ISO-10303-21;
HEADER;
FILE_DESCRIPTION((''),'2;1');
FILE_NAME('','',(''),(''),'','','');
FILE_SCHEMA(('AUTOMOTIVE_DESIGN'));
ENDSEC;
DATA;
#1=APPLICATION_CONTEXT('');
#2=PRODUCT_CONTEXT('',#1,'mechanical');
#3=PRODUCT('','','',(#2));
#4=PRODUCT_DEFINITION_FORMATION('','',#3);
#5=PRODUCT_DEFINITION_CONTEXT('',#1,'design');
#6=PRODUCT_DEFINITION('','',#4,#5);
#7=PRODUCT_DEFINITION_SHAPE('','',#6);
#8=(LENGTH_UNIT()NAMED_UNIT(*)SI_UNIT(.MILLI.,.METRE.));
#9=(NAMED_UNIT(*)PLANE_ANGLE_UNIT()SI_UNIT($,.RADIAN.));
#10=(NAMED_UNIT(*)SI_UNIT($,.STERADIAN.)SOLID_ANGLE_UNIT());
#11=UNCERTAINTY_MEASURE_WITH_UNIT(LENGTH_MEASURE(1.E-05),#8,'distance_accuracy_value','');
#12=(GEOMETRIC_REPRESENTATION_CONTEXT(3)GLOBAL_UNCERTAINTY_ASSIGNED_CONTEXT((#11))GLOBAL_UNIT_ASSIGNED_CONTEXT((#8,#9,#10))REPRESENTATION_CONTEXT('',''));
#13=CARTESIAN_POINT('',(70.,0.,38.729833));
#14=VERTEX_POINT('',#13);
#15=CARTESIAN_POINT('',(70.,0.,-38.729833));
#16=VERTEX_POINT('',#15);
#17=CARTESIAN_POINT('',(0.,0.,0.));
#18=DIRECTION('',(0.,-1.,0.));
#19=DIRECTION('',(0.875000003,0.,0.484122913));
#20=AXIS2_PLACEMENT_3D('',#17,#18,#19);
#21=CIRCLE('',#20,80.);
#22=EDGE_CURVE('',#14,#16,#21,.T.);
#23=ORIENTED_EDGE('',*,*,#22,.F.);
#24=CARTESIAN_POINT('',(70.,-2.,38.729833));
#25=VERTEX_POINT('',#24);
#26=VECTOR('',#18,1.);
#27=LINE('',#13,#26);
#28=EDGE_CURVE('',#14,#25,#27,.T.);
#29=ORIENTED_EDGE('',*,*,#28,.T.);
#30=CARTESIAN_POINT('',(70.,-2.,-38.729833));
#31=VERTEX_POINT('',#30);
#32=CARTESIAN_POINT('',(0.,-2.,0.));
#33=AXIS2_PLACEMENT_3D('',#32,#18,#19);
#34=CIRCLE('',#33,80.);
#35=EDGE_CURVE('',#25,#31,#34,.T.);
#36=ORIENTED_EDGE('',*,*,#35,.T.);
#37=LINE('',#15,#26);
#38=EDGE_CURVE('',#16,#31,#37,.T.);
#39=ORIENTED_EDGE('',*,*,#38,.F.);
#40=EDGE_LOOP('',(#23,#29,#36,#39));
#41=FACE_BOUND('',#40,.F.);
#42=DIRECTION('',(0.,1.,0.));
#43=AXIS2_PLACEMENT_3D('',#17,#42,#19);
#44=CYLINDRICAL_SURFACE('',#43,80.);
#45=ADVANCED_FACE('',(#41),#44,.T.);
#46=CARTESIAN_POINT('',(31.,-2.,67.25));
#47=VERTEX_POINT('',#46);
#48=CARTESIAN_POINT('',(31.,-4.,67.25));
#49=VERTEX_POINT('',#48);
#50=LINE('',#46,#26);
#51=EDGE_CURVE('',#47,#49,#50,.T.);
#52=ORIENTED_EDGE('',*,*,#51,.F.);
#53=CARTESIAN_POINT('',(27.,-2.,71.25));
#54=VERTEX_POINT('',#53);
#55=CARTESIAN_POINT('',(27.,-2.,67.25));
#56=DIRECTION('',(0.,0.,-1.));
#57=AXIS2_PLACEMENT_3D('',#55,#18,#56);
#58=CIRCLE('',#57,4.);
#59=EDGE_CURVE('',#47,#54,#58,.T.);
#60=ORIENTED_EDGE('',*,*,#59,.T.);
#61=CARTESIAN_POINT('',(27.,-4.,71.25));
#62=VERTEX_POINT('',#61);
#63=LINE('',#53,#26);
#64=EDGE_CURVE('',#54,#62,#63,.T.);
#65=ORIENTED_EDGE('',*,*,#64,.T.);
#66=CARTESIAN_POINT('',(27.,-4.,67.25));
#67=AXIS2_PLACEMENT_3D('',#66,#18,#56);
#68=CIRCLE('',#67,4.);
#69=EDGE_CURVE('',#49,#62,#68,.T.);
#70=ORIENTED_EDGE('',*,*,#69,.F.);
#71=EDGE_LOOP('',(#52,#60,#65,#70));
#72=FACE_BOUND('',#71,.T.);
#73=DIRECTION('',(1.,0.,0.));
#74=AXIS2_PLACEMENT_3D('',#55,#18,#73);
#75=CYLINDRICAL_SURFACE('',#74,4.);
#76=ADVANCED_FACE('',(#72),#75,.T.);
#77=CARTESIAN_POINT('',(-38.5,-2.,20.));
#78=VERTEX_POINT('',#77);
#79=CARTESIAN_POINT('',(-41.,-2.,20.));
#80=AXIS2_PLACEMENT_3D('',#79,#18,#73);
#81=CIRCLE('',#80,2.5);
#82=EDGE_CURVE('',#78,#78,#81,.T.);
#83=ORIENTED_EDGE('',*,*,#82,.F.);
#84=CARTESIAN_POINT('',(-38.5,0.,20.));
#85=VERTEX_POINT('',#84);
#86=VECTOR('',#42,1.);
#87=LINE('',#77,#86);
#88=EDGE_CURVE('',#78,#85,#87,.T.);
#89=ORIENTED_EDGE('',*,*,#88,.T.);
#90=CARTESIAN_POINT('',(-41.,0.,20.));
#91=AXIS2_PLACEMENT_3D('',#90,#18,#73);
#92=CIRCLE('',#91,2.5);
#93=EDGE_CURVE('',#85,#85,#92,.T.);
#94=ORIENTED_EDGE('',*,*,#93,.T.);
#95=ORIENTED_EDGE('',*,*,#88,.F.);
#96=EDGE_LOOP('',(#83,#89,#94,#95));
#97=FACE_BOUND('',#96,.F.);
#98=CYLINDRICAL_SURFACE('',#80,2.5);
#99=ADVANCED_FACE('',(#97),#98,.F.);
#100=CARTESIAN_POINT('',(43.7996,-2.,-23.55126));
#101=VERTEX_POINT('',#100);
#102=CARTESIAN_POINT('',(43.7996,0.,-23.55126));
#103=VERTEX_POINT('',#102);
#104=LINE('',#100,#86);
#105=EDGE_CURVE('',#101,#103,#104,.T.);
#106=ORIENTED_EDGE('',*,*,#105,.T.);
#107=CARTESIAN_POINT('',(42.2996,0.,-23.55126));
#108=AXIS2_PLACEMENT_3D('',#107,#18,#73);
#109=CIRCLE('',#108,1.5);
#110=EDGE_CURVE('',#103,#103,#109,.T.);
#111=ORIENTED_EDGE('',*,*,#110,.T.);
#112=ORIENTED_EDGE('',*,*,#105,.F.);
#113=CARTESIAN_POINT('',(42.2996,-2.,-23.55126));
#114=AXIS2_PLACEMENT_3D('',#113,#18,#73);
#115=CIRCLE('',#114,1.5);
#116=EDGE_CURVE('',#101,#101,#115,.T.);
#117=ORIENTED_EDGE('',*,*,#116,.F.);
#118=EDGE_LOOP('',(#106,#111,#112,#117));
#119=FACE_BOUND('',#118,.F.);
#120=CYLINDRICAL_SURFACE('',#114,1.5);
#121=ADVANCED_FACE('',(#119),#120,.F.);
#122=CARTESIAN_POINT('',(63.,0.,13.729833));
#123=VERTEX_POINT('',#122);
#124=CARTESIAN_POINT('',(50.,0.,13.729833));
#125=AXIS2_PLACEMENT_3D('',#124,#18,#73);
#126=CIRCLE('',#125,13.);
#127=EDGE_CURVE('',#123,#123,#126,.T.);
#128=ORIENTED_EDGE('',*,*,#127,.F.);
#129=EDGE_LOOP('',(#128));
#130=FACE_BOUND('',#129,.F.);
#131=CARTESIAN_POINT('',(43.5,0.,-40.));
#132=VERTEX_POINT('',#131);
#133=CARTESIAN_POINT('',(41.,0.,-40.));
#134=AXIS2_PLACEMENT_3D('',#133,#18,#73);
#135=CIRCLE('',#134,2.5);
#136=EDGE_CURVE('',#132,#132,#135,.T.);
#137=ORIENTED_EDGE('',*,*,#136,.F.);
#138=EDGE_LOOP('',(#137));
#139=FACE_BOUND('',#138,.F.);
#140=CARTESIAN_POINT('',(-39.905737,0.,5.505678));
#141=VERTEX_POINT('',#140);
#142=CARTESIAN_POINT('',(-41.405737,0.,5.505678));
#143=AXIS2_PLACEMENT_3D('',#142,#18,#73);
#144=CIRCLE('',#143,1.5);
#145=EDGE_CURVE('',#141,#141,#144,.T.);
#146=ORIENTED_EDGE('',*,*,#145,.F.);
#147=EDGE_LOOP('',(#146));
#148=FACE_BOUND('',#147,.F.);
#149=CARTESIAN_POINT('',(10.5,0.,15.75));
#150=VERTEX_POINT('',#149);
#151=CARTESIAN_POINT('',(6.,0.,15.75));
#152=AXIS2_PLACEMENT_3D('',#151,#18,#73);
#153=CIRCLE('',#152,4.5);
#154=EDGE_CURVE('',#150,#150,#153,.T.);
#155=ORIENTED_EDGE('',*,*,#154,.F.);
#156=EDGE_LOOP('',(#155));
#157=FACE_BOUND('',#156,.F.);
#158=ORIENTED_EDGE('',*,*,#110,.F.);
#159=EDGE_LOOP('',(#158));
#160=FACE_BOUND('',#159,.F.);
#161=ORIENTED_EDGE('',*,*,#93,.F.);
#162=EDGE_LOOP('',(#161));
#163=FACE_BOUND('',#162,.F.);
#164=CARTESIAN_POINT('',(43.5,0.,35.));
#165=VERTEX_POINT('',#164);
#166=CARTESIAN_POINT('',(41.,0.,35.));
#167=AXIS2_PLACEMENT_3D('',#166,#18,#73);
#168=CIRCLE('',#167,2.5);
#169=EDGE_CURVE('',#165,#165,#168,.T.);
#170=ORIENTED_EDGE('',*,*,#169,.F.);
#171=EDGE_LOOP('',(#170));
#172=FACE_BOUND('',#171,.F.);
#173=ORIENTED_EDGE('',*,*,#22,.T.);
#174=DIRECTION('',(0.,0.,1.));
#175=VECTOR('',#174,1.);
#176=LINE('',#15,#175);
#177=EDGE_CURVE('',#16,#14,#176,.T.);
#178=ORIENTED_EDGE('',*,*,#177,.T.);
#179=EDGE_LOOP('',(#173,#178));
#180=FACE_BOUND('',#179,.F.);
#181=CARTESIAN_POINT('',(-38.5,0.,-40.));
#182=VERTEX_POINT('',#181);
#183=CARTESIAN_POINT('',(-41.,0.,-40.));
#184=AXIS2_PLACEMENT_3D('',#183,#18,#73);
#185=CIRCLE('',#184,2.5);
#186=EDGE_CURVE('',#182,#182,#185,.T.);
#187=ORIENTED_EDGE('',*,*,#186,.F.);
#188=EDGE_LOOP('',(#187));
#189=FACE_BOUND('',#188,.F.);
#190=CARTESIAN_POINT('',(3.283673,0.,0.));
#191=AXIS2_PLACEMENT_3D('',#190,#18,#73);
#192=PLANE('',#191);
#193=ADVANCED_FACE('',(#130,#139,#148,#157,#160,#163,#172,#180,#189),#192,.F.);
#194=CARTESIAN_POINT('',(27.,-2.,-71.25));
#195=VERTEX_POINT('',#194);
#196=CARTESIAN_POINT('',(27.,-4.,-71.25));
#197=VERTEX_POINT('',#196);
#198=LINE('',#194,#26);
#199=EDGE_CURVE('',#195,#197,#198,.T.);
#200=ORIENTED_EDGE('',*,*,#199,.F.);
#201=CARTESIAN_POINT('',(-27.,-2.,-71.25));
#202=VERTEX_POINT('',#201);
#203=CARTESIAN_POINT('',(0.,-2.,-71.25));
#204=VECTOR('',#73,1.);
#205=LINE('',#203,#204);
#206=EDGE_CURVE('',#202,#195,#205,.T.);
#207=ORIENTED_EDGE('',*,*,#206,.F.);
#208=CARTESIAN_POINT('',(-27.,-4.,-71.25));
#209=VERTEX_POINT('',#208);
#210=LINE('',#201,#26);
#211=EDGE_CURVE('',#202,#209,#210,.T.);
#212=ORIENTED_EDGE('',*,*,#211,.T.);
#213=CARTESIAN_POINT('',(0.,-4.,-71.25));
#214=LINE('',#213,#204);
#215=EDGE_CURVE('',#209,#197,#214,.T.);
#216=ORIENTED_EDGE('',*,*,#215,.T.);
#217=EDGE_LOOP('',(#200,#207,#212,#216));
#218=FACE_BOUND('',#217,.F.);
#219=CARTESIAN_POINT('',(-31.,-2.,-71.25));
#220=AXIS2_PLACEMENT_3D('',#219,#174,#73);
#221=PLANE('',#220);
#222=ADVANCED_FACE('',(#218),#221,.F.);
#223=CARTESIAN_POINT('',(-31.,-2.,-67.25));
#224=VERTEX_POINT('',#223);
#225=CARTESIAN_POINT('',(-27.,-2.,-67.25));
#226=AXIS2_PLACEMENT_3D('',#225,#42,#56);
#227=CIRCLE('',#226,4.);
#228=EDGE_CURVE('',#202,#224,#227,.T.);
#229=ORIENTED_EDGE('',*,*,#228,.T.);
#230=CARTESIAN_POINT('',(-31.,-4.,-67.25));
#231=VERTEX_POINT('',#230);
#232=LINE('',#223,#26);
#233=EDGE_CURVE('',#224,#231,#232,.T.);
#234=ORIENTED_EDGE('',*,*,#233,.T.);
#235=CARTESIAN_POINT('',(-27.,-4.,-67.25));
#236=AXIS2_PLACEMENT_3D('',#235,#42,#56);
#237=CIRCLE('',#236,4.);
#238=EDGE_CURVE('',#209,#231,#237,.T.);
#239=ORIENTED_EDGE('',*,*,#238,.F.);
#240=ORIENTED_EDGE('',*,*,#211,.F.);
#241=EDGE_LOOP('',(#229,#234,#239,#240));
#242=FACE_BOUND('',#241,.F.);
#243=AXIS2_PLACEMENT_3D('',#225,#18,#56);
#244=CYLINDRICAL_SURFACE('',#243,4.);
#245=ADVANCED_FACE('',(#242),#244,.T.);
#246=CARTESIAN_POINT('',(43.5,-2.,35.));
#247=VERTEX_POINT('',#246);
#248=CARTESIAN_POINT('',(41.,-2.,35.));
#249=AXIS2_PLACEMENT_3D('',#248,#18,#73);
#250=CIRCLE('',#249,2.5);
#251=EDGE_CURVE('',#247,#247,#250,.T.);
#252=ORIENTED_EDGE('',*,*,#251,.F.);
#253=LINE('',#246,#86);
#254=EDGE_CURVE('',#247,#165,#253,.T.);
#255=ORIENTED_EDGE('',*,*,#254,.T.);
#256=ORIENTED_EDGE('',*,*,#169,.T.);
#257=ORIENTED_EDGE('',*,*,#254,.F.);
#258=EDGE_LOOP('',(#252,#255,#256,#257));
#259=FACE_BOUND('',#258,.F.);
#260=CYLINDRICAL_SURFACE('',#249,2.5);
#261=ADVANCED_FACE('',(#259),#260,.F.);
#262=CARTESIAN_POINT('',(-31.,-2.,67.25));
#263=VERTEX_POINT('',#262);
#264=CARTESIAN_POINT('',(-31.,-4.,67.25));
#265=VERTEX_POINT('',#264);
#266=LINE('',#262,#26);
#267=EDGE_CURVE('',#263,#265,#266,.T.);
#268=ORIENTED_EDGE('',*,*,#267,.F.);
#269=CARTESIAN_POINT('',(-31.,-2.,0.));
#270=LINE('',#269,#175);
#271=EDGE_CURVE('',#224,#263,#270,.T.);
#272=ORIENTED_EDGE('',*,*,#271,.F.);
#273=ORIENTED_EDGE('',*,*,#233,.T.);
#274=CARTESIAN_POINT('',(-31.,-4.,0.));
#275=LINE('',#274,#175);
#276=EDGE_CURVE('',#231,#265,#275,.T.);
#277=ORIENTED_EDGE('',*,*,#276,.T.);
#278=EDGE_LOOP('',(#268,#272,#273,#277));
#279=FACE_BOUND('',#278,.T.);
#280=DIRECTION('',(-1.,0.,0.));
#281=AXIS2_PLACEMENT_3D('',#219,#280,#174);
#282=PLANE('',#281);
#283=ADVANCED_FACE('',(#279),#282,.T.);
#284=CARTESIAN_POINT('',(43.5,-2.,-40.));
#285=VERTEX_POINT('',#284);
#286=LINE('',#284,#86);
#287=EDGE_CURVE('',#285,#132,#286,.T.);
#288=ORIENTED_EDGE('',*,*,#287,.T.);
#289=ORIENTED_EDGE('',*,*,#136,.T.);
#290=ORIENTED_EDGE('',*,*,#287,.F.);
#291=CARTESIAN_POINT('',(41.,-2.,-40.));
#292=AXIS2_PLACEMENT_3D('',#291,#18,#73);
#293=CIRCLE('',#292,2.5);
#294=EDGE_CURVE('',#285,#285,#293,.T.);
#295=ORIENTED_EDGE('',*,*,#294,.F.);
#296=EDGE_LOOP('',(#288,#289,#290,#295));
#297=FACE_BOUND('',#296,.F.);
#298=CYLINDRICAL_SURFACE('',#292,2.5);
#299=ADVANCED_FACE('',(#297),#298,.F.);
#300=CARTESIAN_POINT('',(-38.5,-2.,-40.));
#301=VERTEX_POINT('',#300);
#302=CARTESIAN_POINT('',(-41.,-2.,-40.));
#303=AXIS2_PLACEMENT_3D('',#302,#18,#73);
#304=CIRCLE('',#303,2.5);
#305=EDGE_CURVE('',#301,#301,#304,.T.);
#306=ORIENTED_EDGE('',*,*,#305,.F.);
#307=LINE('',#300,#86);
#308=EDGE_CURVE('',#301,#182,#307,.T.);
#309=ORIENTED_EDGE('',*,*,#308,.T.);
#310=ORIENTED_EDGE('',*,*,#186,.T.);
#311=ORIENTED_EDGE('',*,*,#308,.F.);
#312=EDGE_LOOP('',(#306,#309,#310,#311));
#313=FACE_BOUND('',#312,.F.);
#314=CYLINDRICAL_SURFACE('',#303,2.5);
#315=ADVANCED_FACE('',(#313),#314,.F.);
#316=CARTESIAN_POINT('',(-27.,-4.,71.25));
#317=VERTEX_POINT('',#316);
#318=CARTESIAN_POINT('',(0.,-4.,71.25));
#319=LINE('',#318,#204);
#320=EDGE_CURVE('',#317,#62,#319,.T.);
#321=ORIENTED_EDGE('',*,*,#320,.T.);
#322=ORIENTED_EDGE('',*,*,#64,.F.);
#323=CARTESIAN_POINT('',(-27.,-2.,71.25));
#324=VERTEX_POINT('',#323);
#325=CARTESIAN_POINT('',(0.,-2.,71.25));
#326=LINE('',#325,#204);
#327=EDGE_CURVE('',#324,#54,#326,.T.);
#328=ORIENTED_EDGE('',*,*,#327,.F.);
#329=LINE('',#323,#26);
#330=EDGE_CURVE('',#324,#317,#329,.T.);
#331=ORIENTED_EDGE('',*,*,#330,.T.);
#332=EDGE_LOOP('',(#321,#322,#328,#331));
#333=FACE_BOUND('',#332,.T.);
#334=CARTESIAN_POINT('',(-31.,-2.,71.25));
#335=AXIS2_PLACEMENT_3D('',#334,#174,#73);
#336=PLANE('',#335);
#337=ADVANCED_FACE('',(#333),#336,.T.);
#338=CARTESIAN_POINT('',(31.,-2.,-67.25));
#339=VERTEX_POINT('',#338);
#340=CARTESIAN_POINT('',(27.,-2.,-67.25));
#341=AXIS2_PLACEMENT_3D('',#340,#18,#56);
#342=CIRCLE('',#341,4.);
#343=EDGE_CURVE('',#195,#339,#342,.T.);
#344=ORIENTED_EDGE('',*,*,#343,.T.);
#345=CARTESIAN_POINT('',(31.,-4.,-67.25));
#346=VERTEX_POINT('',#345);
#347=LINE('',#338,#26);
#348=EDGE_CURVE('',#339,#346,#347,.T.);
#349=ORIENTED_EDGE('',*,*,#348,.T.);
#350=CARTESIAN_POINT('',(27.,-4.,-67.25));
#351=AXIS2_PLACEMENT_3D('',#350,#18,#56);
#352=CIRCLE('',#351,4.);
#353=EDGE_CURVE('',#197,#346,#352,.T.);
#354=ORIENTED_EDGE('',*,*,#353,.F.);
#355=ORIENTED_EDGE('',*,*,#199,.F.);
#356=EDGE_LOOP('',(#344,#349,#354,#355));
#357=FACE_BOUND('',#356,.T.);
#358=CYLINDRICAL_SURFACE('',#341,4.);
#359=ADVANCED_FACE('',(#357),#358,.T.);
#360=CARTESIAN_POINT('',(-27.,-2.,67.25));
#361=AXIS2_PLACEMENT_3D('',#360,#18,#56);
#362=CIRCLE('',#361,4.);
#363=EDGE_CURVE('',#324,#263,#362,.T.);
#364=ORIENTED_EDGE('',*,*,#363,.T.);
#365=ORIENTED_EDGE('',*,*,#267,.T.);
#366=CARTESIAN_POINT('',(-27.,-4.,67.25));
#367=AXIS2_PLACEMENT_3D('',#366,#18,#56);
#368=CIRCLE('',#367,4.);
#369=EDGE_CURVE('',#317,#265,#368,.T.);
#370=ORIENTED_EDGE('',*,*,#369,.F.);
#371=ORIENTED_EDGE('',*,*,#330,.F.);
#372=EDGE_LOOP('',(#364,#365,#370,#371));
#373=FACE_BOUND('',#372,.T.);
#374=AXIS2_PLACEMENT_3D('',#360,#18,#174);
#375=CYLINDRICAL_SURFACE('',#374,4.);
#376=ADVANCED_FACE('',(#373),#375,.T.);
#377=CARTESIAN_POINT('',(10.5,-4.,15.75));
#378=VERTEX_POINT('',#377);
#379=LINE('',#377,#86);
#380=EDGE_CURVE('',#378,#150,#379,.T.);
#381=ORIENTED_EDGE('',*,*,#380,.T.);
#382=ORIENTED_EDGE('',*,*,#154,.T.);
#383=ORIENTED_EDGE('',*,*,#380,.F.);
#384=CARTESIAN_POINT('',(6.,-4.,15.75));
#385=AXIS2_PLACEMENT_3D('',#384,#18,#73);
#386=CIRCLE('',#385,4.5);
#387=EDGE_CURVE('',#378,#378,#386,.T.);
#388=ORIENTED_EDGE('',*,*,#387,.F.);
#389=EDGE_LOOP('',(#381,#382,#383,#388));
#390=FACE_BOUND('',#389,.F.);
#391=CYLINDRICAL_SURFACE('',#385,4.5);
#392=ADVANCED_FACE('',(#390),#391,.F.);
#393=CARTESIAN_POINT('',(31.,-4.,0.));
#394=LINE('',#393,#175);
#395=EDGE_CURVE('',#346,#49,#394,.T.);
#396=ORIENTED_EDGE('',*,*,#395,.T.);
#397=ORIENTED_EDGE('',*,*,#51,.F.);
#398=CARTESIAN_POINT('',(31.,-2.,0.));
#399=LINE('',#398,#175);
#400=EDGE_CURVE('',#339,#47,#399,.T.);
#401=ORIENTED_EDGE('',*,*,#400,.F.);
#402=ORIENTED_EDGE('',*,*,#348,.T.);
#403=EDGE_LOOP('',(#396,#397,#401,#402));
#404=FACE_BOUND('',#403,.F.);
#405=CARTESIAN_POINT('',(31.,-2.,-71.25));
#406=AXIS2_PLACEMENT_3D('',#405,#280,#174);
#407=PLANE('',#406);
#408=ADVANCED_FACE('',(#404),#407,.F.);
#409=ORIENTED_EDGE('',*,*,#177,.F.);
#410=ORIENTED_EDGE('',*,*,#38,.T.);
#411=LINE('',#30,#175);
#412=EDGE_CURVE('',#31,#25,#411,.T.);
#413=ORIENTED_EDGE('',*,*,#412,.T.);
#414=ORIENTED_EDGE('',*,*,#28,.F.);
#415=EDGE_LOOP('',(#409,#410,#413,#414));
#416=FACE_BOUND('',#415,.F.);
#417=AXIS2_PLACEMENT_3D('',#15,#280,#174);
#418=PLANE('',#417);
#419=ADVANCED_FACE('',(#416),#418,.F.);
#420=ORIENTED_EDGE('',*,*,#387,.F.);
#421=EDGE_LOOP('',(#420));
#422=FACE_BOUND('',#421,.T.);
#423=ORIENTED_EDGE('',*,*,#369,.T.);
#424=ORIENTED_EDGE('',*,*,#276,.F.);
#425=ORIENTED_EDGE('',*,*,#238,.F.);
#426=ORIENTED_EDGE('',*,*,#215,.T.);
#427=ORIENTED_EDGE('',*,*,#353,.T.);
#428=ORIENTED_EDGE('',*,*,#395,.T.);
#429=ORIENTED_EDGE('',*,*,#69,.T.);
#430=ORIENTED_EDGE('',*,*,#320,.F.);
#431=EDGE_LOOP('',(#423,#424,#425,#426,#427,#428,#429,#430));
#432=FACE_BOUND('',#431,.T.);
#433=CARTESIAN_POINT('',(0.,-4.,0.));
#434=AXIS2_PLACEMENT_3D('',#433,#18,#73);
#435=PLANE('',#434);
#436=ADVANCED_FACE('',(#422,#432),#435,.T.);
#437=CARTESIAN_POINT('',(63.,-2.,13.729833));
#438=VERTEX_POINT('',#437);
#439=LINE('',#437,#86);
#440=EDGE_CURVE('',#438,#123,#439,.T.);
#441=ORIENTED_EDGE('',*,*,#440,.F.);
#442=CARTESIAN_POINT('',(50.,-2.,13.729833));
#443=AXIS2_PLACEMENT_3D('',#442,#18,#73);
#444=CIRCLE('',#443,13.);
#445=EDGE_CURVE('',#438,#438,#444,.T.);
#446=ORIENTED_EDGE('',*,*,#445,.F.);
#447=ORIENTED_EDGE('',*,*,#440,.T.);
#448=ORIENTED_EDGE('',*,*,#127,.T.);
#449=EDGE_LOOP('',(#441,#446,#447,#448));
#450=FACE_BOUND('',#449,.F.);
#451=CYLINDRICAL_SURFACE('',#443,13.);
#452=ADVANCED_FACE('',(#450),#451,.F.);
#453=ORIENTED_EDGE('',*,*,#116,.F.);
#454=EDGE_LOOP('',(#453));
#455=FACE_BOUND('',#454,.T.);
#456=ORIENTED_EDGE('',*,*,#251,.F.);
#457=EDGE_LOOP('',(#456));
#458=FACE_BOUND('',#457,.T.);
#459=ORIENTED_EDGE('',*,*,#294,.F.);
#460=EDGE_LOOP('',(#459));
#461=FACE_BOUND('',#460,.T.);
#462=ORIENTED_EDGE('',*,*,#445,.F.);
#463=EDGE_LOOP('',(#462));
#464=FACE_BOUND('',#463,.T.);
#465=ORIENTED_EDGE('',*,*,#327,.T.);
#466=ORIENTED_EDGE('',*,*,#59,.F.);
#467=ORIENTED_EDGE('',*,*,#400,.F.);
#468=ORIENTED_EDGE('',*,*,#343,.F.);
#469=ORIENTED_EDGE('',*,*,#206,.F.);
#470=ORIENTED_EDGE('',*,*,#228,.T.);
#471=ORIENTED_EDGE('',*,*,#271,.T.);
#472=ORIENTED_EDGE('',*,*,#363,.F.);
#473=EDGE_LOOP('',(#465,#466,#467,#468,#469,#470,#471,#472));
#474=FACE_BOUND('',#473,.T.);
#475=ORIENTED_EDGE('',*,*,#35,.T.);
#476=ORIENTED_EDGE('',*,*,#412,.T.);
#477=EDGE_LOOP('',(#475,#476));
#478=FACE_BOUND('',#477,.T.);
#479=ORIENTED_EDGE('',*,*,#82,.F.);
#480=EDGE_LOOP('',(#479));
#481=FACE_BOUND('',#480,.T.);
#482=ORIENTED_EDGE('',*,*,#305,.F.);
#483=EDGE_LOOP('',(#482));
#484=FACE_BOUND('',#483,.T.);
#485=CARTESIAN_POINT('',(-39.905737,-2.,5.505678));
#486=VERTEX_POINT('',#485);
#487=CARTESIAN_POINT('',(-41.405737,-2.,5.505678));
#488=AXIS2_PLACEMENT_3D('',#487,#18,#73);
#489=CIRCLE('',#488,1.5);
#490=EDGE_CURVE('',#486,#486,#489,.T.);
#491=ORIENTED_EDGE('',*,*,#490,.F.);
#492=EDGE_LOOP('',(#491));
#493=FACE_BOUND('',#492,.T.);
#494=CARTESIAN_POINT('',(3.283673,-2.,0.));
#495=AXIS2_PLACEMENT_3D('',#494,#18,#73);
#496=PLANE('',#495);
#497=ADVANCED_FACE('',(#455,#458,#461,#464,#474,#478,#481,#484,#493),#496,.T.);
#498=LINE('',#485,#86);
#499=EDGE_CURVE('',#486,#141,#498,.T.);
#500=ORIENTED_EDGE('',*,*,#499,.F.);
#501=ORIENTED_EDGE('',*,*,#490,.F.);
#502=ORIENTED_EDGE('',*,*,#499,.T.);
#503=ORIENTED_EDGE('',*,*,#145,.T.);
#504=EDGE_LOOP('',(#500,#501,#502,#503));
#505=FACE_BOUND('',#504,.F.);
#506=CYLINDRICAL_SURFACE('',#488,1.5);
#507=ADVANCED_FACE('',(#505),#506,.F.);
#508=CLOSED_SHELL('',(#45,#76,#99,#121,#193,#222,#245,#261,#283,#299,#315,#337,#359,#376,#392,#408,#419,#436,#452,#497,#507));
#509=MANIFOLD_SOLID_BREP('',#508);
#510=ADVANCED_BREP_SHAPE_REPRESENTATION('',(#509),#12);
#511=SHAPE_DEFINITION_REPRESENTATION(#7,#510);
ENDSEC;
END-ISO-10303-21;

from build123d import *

# Parameters (mm, degrees)
F1_DEPTH  = 2
F2_W      = 62
F2_H      = 142.5
F3_DEPTH  = 2
F4_R      = 4
F5_R      = 4.5
F6_DEPTH  = 4
F7_R      = 13
F8_DEPTH  = 2
F9_R      = 2.5
F10_DEPTH = 2
F11_R     = 1.5
F12_DEPTH = 2


with BuildPart() as f1:
    # F0 (on Front) → F1 (new body)
    with BuildSketch(Plane.XZ):
        with BuildLine():
            ThreePointArc((70, 38.729833), (-80, 0), (70, -38.729833))
            Line((70, -38.729833), (70, 38.729833))
        make_face()
    extrude(amount=F1_DEPTH)

    # F2 (on face) → F3 (join)
    with BuildSketch(Plane.XZ.offset(2)):
        Rectangle(F2_W, F2_H)
    extrude(amount=F3_DEPTH)

    # F4
    f4_edges = [f1.edges().sort_by_distance(p)[0] for p in [
        (-31, -3, -71.25),
        (31, -3, -71.25),
        (31, -3, 71.25),
        (-31, -3, 71.25),
    ]]
    fillet(f4_edges, radius=F4_R)

    # F5 (on face) → F6 (cut)
    with BuildSketch(Plane.XZ.offset(4)):
        with Locations((6, 15.75)):
            Circle(F5_R)
    extrude(amount=-F6_DEPTH, mode=Mode.SUBTRACT)

    # F7 (on face) → F8 (cut)
    with BuildSketch(Plane.XZ.offset(2)):
        with Locations((50, 13.729833)):
            Circle(F7_R)
    extrude(amount=-F8_DEPTH, mode=Mode.SUBTRACT)

    # F9 (on face) → F10 (cut)
    with BuildSketch(Plane.XZ.offset(2)):
        with Locations((-41, 20)):
            Circle(F9_R)
        with Locations((-41, -40)):
            Circle(F9_R)
        with Locations((41, 35)):
            Circle(F9_R)
        with Locations((41, -40)):
            Circle(F9_R)
    extrude(amount=-F10_DEPTH, mode=Mode.SUBTRACT)

    # F11 (on face) → F12 (cut)
    with BuildSketch(Plane.XZ.offset(2)):
        with Locations((-41.405737, 5.505678)):
            Circle(F11_R)
        with Locations((42.2996, -23.55126)):
            Circle(F11_R)
    extrude(amount=-F12_DEPTH, mode=Mode.SUBTRACT)


solid = f1.part
